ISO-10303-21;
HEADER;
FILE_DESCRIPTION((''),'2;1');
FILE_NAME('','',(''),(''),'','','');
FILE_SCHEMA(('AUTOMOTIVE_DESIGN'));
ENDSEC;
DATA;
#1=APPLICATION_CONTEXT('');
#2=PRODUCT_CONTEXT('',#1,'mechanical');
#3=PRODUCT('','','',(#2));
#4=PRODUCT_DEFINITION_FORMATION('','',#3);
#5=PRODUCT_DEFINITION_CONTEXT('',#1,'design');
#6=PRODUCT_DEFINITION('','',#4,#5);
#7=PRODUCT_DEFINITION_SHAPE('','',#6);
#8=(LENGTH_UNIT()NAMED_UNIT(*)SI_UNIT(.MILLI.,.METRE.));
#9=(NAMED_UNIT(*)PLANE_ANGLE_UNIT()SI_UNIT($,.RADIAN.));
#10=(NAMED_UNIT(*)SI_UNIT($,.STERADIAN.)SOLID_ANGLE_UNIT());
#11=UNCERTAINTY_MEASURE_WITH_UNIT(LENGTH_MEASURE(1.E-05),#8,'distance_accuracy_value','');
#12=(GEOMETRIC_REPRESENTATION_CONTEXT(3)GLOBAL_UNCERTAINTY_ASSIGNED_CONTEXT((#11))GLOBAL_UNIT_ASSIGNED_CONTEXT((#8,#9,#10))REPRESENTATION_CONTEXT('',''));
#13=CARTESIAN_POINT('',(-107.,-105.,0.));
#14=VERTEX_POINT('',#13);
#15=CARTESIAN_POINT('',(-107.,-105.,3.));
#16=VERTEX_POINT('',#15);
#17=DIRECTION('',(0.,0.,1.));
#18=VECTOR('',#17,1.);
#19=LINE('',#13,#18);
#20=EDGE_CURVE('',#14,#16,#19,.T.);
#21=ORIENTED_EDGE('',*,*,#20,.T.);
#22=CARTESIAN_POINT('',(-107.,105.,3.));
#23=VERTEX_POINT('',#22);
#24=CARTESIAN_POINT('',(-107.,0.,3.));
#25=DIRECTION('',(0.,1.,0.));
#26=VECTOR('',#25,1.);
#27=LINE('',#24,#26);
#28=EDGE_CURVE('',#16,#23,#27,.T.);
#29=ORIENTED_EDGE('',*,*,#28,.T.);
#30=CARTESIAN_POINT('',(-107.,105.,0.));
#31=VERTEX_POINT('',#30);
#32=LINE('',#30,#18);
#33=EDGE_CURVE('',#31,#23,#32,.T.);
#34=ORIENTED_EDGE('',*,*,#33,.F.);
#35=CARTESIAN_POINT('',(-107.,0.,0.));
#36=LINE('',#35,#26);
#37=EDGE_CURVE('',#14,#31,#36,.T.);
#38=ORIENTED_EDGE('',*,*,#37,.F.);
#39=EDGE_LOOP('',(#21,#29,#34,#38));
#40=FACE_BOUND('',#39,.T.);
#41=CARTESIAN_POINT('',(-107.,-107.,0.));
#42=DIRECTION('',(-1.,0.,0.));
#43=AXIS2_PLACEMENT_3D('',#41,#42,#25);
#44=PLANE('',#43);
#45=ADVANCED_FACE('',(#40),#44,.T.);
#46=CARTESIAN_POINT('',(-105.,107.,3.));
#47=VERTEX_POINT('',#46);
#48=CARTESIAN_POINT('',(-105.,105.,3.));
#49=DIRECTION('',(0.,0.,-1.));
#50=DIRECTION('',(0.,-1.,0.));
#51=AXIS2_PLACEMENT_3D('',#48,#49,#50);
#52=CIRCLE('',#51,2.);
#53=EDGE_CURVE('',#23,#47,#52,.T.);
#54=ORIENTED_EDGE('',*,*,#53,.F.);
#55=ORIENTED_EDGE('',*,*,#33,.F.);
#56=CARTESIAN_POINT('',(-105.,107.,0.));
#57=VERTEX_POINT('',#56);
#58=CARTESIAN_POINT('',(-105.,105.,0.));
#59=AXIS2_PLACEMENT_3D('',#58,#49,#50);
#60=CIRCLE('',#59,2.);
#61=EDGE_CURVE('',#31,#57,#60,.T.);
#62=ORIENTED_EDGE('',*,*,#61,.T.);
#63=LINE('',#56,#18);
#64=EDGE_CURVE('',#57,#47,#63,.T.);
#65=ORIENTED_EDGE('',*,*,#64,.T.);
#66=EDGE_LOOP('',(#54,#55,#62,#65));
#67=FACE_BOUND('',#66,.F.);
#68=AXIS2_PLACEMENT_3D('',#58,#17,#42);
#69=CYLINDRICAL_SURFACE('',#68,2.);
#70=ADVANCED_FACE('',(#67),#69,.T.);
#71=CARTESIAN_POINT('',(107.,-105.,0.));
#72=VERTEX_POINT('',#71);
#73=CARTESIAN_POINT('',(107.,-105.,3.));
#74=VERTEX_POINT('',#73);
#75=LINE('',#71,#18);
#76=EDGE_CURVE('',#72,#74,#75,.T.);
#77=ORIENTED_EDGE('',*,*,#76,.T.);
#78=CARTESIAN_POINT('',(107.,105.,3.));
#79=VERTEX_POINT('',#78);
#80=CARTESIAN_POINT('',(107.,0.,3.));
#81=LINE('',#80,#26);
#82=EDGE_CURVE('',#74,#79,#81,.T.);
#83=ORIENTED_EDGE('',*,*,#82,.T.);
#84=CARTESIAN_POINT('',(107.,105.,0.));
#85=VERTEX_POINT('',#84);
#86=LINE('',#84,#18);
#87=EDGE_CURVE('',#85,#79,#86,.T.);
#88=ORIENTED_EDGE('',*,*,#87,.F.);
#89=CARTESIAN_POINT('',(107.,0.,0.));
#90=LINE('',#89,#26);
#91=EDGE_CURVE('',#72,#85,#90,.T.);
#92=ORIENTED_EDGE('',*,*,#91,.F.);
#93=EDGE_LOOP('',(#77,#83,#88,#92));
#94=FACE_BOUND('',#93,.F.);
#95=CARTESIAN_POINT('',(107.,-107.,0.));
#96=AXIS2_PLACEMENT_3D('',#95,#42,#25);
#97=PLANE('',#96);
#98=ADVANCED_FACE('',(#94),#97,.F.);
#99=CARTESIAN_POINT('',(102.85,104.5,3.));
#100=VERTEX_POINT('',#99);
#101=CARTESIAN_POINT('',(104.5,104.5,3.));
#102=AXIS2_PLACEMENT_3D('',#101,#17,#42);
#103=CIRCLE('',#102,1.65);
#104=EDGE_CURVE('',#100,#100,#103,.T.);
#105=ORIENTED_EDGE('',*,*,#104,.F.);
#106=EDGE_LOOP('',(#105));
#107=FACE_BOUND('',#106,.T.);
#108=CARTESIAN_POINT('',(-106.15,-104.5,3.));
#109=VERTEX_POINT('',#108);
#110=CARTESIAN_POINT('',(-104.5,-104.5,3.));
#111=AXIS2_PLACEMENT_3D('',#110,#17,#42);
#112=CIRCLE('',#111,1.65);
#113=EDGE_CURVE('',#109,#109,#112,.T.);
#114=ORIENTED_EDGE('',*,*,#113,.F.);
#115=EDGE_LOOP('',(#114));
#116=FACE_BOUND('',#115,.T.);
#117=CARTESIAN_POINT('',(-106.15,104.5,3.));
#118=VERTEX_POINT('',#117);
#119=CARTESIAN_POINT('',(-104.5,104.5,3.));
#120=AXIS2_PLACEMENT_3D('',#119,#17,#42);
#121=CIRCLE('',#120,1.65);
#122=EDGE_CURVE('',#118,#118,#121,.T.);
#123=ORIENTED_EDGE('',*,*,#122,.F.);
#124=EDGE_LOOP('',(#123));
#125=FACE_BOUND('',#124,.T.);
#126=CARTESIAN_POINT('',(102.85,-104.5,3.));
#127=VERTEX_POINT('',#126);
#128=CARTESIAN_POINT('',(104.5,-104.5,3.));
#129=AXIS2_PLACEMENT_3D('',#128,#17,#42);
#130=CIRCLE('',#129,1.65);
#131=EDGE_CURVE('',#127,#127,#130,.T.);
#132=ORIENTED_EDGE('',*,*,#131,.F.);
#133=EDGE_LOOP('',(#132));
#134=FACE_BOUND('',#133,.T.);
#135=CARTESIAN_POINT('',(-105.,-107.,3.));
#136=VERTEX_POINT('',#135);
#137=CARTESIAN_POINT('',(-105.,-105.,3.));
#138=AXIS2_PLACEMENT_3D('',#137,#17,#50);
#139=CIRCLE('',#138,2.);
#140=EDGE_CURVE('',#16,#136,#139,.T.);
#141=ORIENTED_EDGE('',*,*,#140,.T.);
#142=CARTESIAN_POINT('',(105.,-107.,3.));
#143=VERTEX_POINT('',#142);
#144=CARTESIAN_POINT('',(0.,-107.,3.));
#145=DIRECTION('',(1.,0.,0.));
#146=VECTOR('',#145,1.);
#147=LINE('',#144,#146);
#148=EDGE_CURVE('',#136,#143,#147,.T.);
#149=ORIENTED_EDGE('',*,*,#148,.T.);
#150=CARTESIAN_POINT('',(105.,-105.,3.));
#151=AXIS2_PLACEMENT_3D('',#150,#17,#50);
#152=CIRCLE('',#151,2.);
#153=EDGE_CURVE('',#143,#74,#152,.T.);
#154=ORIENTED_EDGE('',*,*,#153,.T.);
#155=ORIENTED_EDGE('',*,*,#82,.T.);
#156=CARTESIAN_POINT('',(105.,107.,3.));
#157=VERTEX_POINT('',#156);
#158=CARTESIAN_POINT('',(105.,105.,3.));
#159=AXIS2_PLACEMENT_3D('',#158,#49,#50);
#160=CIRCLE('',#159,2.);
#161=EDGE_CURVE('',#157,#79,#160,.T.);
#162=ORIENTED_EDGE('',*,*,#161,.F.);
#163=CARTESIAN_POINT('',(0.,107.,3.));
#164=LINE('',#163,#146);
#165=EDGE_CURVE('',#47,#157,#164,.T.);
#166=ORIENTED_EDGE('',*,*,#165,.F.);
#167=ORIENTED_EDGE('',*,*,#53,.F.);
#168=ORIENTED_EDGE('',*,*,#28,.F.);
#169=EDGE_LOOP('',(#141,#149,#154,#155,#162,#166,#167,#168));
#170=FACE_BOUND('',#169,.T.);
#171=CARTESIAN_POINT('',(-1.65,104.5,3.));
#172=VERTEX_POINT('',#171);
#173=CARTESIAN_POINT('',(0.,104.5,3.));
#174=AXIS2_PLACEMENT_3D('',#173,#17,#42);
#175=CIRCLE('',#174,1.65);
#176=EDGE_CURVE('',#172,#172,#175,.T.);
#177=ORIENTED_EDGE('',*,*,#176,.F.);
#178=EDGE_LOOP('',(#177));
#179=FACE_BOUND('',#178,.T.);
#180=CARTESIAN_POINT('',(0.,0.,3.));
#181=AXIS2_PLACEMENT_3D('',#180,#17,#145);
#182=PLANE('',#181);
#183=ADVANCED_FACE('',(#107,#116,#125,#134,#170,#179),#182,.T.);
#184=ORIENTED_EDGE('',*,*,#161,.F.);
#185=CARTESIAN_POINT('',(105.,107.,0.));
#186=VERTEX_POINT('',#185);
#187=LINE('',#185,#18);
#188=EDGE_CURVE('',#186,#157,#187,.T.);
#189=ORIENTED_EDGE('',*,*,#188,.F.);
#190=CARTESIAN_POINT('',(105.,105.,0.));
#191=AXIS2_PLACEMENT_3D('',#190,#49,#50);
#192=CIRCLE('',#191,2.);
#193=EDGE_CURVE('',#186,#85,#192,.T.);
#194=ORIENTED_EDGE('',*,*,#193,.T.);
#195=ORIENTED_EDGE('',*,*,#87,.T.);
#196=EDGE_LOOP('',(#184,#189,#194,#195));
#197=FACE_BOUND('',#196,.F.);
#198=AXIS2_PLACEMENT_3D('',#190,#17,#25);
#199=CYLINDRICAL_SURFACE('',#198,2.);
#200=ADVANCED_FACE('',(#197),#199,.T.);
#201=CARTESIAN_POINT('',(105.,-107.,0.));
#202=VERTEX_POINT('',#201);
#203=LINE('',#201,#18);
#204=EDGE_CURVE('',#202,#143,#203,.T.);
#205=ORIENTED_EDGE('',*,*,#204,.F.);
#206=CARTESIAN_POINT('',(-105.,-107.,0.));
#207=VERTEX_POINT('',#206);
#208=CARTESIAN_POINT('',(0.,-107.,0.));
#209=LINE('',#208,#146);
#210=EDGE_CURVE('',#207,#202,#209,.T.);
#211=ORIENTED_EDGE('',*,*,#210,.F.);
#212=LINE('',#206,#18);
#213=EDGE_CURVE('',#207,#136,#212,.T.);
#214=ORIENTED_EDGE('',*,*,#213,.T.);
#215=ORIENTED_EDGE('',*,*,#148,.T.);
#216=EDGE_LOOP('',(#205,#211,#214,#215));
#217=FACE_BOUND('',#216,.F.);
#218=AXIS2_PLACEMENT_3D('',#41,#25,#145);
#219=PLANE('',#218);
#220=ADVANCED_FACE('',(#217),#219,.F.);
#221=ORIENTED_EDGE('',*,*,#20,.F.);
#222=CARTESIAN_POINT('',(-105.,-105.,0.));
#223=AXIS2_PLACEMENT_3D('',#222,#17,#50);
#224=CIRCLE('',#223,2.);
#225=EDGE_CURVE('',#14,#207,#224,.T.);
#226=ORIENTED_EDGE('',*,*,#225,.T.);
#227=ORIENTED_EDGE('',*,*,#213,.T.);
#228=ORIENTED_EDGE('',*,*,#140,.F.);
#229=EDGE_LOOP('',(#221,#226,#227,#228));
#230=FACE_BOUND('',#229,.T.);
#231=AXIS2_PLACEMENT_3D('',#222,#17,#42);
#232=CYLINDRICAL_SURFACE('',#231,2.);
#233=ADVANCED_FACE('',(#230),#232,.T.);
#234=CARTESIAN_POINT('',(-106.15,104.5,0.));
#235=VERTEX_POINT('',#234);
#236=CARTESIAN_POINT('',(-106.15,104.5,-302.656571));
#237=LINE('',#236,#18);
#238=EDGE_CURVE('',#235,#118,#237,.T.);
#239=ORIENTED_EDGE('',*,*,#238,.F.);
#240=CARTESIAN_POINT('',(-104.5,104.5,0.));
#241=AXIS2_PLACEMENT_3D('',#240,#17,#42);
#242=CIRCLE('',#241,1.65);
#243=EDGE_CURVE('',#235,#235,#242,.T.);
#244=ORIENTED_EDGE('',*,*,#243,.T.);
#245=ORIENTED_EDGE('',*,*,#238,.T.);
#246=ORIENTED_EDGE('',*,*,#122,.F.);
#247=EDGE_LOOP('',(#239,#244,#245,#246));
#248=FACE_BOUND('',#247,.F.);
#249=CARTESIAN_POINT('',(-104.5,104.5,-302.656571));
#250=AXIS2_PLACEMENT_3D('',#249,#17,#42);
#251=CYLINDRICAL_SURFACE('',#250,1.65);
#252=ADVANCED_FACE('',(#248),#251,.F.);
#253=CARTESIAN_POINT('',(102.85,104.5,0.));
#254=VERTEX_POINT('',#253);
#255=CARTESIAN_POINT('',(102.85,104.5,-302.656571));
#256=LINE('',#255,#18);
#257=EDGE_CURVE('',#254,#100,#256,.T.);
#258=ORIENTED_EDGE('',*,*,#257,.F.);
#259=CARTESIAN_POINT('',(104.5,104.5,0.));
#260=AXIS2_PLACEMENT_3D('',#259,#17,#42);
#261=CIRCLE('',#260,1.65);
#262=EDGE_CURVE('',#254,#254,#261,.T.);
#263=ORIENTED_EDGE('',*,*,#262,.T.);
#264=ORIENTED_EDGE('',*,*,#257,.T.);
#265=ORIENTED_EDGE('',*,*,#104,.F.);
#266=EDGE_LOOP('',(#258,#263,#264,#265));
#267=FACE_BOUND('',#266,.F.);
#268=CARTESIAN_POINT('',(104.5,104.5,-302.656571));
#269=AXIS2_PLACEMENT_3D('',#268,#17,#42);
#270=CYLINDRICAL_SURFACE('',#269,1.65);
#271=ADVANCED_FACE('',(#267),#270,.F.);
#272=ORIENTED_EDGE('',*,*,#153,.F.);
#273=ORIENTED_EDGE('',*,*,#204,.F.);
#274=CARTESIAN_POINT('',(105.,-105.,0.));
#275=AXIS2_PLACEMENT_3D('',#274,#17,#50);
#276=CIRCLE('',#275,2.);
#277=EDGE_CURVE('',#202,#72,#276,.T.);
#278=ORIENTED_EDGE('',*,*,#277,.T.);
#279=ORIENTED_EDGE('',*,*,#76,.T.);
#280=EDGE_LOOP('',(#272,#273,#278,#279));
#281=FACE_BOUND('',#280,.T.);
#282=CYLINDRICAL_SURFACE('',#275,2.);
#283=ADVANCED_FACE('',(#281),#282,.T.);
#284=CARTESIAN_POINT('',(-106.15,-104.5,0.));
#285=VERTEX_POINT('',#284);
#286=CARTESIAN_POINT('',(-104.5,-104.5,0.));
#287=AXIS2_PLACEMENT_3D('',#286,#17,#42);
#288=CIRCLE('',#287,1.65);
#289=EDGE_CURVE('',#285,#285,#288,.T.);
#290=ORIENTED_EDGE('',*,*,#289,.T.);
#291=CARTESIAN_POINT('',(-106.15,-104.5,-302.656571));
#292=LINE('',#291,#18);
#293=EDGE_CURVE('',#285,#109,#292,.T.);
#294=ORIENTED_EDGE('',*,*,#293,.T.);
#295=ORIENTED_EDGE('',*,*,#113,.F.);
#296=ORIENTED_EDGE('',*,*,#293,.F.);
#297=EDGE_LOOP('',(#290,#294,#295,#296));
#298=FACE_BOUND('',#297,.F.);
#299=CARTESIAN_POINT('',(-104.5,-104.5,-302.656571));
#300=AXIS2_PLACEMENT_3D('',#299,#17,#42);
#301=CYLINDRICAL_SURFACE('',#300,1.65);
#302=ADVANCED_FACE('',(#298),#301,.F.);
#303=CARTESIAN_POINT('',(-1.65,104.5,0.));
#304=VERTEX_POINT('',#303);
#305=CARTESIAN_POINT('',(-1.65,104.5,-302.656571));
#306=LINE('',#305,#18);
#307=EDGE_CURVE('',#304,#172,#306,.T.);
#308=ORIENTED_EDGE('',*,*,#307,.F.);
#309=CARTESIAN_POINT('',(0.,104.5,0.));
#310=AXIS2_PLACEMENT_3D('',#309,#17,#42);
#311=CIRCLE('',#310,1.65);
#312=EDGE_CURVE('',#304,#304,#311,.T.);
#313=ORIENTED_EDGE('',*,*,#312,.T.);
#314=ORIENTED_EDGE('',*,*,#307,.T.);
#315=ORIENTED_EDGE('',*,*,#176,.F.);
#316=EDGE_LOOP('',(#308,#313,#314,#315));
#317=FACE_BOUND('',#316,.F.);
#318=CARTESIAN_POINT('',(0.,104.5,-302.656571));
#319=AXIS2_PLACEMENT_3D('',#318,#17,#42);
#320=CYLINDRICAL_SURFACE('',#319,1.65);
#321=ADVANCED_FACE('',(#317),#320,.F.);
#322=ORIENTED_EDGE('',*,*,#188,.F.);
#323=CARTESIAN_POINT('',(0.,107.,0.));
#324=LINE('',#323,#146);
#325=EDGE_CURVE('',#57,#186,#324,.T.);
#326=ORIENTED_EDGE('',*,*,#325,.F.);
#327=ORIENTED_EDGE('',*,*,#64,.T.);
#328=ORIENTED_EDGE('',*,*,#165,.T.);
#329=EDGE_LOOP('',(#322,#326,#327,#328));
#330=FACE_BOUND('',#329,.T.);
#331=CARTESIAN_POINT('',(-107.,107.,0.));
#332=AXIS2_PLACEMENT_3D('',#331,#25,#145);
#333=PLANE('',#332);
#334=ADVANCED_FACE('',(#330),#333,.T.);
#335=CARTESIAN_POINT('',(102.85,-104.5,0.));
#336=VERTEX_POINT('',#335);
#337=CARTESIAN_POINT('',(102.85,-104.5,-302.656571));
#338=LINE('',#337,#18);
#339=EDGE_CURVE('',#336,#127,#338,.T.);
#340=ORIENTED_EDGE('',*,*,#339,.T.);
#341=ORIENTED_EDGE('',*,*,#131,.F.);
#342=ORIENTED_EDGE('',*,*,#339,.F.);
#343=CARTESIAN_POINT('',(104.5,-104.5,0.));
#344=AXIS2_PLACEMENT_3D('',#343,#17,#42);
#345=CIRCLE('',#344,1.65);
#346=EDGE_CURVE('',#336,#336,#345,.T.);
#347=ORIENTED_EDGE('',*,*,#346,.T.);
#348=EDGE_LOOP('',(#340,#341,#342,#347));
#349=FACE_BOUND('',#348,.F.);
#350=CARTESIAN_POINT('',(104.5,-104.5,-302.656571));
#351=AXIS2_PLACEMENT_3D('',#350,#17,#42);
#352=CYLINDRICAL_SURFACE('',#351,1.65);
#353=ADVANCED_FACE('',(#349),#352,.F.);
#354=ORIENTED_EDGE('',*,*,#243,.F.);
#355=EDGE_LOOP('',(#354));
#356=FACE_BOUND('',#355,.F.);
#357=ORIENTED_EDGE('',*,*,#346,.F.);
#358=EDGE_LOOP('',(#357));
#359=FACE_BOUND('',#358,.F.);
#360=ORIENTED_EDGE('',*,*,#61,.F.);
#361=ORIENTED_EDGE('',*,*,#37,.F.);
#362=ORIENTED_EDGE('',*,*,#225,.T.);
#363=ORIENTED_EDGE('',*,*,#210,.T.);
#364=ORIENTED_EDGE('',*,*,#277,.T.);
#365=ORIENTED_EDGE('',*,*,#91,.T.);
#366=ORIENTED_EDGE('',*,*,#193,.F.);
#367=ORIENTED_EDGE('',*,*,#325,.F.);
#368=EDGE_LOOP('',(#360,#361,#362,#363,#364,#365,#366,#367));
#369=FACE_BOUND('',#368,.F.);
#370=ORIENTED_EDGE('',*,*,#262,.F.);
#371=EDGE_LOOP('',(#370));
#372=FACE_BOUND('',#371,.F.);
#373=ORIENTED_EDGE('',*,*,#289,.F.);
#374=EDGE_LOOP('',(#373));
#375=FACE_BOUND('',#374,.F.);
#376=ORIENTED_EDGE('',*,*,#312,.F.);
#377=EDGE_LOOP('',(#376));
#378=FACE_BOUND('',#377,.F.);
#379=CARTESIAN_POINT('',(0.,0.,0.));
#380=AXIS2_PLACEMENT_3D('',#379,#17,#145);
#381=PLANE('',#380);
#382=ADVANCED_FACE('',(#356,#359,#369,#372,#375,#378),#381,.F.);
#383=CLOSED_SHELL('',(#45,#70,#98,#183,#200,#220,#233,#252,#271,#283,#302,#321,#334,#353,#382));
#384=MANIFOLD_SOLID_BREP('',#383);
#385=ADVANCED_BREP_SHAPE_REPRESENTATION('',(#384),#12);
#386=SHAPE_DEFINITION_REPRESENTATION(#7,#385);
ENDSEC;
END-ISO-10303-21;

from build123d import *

# Parameters (mm, degrees)
F0_W     = 214
F0_H     = 214
F1_DEPTH = 3
F2_D     = 3.3
F3_R     = 2


with BuildPart() as f1:
    # F0 (on Top) → F1 (new body)
    with BuildSketch(Plane.XY):
        Rectangle(F0_W, F0_H)
    extrude(amount=F1_DEPTH)

    # F2 (through all)
    with Locations(Plane(origin=(0, 0, 0), x_dir=(1, 0, 0), z_dir=(0, 0, -1))):
        with Locations((104.5, 104.5), (-104.5, 104.5), (-104.5, -104.5), (0, -104.5), (104.5, -104.5)):
            Hole(F2_D / 2)

    # F3
    f3_edges = [f1.edges().sort_by_distance(p)[0] for p in [
        (-107, -107, 1.5),
        (107, -107, 1.5),
        (107, 107, 1.5),
        (-107, 107, 1.5),
    ]]
    fillet(f3_edges, radius=F3_R)


solid = f1.part
